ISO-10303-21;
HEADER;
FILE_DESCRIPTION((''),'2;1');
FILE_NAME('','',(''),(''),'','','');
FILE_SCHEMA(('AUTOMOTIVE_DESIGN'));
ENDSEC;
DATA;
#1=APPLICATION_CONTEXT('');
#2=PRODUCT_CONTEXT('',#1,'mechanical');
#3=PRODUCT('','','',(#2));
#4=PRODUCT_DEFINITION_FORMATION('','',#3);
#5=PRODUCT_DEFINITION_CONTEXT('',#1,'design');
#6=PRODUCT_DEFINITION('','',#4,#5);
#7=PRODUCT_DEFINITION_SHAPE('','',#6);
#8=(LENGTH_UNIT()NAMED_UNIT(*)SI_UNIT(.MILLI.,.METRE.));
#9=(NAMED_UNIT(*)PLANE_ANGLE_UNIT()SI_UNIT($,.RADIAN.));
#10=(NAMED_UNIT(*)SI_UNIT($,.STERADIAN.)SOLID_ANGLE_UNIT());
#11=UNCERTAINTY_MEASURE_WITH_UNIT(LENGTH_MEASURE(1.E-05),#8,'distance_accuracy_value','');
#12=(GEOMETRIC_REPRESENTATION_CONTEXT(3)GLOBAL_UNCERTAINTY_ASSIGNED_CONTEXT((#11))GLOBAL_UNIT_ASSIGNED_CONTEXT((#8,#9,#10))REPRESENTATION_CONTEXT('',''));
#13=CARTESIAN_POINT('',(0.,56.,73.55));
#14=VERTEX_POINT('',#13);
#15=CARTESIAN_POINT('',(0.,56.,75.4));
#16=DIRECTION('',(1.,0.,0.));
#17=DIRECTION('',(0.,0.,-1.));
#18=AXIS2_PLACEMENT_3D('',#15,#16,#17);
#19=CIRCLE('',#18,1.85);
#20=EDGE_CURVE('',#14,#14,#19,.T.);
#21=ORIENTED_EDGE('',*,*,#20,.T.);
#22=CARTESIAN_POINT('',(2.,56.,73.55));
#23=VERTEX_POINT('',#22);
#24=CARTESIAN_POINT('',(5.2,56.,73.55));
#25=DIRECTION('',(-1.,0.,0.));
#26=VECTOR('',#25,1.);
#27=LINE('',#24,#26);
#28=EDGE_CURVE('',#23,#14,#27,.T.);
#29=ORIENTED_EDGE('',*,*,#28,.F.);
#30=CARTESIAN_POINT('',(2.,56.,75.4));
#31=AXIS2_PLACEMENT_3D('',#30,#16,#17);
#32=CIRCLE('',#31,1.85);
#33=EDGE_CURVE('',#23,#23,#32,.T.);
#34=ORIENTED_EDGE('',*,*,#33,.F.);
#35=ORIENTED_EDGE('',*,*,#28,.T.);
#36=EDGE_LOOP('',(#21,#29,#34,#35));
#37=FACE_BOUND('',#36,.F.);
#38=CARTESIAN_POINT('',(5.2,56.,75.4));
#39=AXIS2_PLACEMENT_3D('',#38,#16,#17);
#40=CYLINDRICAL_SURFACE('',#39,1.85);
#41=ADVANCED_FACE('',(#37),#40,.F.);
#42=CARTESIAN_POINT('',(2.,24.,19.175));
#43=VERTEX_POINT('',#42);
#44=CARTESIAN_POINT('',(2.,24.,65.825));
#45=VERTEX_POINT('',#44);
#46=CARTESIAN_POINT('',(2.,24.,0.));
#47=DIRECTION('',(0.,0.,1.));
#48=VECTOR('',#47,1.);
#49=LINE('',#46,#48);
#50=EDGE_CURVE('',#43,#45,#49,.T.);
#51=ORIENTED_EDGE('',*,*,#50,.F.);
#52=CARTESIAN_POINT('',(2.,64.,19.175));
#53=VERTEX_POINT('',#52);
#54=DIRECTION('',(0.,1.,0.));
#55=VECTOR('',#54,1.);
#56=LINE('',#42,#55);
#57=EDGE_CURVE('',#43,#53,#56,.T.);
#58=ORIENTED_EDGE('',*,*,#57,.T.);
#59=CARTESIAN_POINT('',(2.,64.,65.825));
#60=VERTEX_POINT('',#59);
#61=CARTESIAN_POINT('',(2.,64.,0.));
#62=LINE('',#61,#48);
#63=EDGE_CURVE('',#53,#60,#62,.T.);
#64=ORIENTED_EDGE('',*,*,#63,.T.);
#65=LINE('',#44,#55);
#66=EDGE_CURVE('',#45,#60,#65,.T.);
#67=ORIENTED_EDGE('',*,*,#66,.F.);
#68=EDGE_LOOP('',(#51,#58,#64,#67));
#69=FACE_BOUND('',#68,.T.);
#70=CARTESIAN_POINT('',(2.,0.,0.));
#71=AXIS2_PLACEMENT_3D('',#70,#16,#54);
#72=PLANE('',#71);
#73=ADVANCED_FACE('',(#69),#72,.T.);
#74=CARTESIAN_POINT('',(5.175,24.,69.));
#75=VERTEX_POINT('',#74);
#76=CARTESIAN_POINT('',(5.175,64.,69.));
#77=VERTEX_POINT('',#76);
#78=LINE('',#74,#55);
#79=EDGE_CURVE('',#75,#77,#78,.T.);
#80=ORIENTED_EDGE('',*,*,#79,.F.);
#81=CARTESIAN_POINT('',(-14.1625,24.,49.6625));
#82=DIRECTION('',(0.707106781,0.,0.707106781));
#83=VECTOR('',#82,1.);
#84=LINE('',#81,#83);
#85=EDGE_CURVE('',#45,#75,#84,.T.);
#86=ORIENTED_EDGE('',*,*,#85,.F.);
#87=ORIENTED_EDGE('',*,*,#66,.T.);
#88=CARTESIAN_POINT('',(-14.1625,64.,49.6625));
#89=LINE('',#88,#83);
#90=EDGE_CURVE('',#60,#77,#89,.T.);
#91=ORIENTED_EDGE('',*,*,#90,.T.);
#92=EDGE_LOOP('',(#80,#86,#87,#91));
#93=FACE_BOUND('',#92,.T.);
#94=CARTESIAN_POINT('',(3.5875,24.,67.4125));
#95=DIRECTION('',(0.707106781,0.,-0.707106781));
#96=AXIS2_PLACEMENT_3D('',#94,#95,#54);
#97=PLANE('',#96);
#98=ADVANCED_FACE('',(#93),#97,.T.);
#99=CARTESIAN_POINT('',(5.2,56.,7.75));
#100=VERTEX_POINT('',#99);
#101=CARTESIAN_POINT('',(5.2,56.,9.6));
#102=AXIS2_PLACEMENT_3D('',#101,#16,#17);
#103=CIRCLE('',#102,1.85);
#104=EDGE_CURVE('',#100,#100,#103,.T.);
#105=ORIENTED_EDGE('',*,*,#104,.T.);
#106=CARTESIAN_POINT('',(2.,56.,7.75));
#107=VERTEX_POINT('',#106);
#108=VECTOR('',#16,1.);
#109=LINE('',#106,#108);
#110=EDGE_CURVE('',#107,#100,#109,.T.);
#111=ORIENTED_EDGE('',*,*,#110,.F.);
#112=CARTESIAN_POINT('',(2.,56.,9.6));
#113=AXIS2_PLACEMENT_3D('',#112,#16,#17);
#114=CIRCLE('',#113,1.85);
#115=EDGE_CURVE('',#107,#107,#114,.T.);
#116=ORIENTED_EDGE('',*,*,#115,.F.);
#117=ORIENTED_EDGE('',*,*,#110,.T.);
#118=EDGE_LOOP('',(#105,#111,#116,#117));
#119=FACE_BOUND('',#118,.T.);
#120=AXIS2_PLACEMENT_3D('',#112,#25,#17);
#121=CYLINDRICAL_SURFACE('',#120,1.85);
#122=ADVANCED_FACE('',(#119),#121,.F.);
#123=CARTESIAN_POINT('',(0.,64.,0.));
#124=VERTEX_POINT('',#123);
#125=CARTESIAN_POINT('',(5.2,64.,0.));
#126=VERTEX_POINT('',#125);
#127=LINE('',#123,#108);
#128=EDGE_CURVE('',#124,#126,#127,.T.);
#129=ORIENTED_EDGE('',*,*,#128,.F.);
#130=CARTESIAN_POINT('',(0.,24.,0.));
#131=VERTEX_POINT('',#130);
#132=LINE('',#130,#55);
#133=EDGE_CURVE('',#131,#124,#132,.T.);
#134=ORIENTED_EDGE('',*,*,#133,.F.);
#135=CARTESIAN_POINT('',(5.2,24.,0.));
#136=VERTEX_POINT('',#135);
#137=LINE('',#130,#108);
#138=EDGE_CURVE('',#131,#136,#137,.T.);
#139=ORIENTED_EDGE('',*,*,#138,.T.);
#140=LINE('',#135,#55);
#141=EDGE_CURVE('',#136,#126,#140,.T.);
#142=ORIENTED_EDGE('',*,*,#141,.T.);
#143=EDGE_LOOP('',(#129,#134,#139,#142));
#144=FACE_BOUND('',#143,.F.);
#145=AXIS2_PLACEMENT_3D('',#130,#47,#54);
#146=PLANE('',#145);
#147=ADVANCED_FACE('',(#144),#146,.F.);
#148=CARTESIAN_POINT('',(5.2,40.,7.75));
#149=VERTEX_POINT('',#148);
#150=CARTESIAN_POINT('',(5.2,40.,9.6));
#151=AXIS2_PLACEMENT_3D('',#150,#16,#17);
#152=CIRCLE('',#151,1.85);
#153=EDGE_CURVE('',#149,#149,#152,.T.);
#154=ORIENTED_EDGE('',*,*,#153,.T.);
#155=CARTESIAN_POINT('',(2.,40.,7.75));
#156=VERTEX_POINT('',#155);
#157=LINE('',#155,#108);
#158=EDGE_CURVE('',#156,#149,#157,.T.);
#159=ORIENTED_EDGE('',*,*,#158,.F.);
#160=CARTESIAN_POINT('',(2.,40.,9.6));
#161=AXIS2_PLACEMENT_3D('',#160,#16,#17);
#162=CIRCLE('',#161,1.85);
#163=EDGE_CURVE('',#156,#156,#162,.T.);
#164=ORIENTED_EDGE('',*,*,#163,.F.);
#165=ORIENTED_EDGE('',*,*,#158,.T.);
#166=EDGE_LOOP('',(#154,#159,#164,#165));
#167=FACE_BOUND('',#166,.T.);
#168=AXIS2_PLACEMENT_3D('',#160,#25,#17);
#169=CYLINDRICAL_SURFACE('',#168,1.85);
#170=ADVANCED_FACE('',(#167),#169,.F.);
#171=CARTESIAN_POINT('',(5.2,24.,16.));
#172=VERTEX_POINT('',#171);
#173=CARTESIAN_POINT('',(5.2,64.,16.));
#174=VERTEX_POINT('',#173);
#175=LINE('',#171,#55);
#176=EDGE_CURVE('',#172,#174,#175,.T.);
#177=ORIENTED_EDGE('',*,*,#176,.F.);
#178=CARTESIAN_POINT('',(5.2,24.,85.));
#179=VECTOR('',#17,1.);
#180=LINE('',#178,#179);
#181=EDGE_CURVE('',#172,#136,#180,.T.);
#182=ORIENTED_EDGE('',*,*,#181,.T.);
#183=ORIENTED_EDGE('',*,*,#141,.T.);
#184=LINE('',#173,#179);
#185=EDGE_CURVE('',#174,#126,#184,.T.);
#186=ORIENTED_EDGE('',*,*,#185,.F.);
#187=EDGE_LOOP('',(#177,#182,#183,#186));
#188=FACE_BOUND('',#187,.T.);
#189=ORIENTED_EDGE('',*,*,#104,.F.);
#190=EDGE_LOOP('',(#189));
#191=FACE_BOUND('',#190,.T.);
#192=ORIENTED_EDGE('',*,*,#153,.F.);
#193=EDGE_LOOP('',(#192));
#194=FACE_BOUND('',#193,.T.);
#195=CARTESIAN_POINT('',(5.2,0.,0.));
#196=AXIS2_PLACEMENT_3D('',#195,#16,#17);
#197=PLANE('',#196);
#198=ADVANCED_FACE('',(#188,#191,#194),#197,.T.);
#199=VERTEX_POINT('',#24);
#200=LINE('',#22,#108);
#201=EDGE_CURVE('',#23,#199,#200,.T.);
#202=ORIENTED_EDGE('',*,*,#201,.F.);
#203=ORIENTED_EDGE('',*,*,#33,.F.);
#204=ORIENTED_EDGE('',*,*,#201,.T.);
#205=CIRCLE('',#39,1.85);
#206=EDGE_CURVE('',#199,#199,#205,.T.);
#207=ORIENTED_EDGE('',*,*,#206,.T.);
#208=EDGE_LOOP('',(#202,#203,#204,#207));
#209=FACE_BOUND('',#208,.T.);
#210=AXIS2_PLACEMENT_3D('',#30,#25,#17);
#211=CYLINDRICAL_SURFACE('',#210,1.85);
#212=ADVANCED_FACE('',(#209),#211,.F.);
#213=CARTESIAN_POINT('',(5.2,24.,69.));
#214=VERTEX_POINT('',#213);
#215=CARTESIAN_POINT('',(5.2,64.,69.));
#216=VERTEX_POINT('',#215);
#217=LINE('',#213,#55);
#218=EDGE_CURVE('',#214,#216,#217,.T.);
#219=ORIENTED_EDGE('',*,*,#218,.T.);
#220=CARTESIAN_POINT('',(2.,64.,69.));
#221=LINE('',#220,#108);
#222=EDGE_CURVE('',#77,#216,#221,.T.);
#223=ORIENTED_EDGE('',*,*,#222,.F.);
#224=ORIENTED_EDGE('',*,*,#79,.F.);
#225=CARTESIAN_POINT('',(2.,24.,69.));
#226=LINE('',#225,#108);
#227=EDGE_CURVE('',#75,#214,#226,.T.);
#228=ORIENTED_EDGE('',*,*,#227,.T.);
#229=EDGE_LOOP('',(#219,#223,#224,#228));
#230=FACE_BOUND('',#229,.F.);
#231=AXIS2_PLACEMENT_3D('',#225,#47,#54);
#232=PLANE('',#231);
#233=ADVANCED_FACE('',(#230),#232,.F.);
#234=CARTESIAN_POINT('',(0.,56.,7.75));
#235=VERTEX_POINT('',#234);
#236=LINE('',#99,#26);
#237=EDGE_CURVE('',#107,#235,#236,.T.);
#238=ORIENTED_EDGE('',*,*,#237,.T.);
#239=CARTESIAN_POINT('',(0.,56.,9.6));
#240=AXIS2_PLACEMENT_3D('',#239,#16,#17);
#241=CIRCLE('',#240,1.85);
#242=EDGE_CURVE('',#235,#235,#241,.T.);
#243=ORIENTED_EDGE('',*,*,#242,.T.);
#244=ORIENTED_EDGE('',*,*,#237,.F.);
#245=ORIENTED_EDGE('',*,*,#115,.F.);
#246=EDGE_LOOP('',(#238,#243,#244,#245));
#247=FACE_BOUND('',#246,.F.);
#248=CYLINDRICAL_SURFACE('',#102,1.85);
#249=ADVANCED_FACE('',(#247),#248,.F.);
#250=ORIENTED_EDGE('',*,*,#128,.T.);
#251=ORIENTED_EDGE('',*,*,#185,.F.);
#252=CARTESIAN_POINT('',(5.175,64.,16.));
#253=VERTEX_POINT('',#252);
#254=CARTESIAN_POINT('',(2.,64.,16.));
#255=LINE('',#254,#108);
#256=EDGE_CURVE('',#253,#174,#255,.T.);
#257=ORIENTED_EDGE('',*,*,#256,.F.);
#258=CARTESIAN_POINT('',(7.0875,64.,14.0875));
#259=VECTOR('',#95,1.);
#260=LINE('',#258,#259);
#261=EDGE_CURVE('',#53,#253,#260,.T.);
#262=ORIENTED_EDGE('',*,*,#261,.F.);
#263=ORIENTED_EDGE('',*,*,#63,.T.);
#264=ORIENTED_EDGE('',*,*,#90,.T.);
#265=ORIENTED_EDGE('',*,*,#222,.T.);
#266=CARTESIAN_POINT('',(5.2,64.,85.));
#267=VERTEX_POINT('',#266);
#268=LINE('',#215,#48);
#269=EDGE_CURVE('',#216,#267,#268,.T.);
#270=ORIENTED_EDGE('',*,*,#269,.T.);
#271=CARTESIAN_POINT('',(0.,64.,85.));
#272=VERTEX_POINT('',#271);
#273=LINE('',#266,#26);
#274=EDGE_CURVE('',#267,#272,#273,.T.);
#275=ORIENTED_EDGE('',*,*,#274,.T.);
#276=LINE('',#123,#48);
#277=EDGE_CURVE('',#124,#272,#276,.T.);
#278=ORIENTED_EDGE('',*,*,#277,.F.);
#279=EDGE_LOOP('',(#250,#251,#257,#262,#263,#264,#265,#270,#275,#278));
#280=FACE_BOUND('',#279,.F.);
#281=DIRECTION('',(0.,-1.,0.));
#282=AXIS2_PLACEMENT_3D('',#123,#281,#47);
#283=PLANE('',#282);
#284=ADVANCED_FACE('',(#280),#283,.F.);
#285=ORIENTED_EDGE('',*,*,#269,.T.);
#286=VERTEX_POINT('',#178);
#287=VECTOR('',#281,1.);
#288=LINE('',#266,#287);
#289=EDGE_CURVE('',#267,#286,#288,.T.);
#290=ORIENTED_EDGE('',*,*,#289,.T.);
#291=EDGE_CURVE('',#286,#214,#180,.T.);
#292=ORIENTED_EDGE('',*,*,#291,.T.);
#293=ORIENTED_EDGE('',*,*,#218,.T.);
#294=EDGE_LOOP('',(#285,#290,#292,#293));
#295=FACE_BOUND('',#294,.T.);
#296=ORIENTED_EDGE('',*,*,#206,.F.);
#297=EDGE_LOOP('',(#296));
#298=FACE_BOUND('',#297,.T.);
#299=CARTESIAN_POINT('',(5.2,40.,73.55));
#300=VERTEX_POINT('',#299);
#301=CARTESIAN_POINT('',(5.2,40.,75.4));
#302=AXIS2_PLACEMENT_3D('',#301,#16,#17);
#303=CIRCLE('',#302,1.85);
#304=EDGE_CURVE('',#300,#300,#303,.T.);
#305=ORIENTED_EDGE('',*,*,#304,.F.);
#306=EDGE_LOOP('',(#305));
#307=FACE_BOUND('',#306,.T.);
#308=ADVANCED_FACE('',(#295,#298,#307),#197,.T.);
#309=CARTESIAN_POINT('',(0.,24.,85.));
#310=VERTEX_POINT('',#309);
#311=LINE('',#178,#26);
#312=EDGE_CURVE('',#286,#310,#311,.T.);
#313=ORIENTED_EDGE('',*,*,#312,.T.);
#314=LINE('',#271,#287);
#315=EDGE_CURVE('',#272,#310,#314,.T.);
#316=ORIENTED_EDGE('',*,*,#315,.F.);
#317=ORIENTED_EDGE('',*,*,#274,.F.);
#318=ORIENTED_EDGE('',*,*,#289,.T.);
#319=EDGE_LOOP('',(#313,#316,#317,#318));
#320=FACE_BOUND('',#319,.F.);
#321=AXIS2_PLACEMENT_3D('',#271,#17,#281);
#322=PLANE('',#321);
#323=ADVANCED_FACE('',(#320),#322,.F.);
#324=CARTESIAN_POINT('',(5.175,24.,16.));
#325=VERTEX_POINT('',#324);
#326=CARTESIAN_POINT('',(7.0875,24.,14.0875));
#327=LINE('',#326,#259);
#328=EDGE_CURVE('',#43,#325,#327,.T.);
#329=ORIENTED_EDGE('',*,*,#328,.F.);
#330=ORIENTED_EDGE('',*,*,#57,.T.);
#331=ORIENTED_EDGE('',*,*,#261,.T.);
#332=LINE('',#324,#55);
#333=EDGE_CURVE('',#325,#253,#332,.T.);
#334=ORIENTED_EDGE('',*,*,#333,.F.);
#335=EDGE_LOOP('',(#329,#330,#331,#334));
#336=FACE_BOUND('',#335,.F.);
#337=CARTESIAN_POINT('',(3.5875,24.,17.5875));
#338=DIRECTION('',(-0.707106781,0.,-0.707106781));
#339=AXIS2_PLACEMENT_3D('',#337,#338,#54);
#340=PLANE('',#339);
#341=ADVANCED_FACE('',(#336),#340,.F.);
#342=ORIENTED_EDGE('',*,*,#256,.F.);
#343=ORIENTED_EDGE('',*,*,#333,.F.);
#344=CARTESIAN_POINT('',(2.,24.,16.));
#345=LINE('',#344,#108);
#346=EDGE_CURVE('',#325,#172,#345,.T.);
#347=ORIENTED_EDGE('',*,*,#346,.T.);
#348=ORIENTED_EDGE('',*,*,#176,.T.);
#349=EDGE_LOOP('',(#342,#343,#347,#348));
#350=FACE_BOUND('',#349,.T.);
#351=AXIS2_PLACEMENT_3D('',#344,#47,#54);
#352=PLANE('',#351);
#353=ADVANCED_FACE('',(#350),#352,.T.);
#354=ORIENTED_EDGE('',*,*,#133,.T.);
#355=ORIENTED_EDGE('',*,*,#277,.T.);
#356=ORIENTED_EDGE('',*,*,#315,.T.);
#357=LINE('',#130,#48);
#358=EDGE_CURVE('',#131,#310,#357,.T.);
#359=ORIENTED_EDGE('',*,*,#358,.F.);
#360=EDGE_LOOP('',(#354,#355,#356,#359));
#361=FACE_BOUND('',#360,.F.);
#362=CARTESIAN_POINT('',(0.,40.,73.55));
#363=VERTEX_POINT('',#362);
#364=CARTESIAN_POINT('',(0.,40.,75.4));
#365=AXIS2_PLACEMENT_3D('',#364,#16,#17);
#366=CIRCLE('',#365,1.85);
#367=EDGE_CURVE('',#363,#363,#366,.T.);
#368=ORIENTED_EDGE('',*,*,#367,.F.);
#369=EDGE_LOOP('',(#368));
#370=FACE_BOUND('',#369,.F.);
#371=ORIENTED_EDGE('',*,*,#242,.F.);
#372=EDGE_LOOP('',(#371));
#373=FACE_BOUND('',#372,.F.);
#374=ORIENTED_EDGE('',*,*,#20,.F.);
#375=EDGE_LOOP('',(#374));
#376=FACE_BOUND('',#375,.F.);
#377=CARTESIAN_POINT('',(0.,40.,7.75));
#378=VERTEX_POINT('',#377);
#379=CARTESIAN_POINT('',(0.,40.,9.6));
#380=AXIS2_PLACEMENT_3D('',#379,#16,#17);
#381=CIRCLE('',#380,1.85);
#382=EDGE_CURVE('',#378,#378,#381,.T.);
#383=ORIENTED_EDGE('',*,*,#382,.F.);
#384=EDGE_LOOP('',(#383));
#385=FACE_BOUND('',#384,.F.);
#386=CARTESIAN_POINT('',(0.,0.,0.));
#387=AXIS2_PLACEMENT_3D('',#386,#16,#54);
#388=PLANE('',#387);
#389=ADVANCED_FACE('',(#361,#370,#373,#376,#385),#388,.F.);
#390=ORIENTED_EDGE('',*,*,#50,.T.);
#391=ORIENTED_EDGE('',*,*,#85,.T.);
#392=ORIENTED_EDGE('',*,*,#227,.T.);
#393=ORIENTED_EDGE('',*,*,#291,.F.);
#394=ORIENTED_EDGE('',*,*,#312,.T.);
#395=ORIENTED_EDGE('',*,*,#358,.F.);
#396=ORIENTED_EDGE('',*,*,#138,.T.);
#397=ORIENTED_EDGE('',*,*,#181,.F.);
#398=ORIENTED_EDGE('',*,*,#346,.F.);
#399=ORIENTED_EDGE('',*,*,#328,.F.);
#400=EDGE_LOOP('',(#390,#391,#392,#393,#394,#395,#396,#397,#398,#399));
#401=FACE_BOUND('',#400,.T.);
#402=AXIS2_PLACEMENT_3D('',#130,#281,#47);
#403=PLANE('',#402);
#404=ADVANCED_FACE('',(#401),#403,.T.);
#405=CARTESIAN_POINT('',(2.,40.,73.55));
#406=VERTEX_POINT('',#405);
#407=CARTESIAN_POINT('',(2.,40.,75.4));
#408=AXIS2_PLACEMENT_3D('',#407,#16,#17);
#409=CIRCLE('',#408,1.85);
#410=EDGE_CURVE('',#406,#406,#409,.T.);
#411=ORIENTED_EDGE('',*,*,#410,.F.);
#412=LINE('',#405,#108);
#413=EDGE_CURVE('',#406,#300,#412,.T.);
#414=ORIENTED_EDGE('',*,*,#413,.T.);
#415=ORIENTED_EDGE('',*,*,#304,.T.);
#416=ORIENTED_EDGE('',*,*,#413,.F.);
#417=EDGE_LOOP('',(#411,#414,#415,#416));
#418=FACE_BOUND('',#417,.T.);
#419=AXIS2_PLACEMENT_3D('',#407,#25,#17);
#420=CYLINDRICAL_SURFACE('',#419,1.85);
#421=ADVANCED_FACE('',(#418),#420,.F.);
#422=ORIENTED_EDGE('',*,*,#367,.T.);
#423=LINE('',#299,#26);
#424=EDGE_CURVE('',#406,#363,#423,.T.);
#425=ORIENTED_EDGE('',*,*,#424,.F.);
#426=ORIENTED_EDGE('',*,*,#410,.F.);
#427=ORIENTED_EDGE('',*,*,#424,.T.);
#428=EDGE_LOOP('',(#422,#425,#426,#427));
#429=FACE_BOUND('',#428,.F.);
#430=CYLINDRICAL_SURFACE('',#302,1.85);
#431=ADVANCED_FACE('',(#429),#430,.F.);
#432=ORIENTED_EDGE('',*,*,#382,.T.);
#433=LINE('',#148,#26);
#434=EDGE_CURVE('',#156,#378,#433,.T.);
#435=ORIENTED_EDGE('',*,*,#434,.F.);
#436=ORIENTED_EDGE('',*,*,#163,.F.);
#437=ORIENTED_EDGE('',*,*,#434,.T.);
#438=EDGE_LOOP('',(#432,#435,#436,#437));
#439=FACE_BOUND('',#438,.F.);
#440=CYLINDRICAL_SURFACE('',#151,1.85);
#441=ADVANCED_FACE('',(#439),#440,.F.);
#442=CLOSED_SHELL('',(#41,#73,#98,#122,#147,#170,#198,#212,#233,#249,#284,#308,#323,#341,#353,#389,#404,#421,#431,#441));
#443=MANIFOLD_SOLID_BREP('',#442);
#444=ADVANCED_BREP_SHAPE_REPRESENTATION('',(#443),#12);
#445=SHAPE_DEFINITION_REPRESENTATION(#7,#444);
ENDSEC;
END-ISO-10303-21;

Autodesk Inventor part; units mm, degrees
ref_plane "YZ Plane" through (0, 0, 0) normal (1, 0, 0) x (0, 1, 0)
ref_plane "XZ Plane" through (0, 0, 0) normal (0, 1, 0) x (-1, 0, 0)
ref_plane "XY Plane" through (0, 0, 0) normal (0, 0, 1) x (1, 0, 0)
sketch "Sketch1" plane through (0, 0, 0) normal (1, 0, 0) x (0, 1, 0)
  line L0 (24, 0) -> (64, 0)
  line L1 (64, 0) -> (64, 85)
  line L2 (64, 85) -> (24, 85)
  line L3 (24, -2) -> (24, 0)
  line L4 (24, 0) -> (24, 85)
  line L5 (24, 0) -> (109, 0) construction
  point P0 (0, 0)
  dimension "d1" = 85
  dimension "d13" = 90
extrude "Extrusion1" add sketch "Sketch1" along normal blind 2
sketch "Sketch2" plane through (2, 0, 0) normal (1, 0, 0) x (0, 0, -1)
  circle A0 centre (-75.4, 56) radius 1.85
  circle A1 centre (-75.4, 40) radius 1.85
  circle A2 centre (-9.6, 56) radius 1.85
  circle A3 centre (-9.6, 40) radius 1.85
  line L0 (-69, 24) -> (-69, 64)
  line L1 (-16, 24) -> (-16, 64)
  line L2 (-16, 0) -> (48, 0) construction
  line L3 (-85, 64) -> (-85, 24)
  line L4 (-69, 64) -> (-85, 64)
  line L5 (-85, 64) -> (-85, 24)
  line L6 (-69, 24) -> (-69, 64)
  line L7 (0, 24) -> (0, 64)
  line L8 (-16, 64) -> (0, 64)
  line L9 (0, 64) -> (0, 24)
  line L10 (-16, 24) -> (-16, 64)
  line L11 (-85, 24) -> (0, 24)
  point P0 (-69, 0)
  dimension "d5" = 90
extrude "Extrusion2" add sketch "Sketch2" along normal blind 3.2
chamfer "Chamfer1" distance 3.175 angle 45 2 edges at (2, 44, 16) (2, 44, 69)
sketch "Sketch3" plane through (5.2, 0, 0) normal (1, 0, 0) x (0, 0, -1)
  circle A0 centre (-75.4, 56) radius 1.85
  circle A1 centre (-75.4, 40) radius 1.85
  circle A2 centre (-9.6, 40) radius 1.85
  circle A3 centre (-9.6, 56) radius 1.85
  point P0 (0, 0)
extrude "Extrusion3" cut sketch "Sketch3" against normal through all
properties part number "wheelguard"
